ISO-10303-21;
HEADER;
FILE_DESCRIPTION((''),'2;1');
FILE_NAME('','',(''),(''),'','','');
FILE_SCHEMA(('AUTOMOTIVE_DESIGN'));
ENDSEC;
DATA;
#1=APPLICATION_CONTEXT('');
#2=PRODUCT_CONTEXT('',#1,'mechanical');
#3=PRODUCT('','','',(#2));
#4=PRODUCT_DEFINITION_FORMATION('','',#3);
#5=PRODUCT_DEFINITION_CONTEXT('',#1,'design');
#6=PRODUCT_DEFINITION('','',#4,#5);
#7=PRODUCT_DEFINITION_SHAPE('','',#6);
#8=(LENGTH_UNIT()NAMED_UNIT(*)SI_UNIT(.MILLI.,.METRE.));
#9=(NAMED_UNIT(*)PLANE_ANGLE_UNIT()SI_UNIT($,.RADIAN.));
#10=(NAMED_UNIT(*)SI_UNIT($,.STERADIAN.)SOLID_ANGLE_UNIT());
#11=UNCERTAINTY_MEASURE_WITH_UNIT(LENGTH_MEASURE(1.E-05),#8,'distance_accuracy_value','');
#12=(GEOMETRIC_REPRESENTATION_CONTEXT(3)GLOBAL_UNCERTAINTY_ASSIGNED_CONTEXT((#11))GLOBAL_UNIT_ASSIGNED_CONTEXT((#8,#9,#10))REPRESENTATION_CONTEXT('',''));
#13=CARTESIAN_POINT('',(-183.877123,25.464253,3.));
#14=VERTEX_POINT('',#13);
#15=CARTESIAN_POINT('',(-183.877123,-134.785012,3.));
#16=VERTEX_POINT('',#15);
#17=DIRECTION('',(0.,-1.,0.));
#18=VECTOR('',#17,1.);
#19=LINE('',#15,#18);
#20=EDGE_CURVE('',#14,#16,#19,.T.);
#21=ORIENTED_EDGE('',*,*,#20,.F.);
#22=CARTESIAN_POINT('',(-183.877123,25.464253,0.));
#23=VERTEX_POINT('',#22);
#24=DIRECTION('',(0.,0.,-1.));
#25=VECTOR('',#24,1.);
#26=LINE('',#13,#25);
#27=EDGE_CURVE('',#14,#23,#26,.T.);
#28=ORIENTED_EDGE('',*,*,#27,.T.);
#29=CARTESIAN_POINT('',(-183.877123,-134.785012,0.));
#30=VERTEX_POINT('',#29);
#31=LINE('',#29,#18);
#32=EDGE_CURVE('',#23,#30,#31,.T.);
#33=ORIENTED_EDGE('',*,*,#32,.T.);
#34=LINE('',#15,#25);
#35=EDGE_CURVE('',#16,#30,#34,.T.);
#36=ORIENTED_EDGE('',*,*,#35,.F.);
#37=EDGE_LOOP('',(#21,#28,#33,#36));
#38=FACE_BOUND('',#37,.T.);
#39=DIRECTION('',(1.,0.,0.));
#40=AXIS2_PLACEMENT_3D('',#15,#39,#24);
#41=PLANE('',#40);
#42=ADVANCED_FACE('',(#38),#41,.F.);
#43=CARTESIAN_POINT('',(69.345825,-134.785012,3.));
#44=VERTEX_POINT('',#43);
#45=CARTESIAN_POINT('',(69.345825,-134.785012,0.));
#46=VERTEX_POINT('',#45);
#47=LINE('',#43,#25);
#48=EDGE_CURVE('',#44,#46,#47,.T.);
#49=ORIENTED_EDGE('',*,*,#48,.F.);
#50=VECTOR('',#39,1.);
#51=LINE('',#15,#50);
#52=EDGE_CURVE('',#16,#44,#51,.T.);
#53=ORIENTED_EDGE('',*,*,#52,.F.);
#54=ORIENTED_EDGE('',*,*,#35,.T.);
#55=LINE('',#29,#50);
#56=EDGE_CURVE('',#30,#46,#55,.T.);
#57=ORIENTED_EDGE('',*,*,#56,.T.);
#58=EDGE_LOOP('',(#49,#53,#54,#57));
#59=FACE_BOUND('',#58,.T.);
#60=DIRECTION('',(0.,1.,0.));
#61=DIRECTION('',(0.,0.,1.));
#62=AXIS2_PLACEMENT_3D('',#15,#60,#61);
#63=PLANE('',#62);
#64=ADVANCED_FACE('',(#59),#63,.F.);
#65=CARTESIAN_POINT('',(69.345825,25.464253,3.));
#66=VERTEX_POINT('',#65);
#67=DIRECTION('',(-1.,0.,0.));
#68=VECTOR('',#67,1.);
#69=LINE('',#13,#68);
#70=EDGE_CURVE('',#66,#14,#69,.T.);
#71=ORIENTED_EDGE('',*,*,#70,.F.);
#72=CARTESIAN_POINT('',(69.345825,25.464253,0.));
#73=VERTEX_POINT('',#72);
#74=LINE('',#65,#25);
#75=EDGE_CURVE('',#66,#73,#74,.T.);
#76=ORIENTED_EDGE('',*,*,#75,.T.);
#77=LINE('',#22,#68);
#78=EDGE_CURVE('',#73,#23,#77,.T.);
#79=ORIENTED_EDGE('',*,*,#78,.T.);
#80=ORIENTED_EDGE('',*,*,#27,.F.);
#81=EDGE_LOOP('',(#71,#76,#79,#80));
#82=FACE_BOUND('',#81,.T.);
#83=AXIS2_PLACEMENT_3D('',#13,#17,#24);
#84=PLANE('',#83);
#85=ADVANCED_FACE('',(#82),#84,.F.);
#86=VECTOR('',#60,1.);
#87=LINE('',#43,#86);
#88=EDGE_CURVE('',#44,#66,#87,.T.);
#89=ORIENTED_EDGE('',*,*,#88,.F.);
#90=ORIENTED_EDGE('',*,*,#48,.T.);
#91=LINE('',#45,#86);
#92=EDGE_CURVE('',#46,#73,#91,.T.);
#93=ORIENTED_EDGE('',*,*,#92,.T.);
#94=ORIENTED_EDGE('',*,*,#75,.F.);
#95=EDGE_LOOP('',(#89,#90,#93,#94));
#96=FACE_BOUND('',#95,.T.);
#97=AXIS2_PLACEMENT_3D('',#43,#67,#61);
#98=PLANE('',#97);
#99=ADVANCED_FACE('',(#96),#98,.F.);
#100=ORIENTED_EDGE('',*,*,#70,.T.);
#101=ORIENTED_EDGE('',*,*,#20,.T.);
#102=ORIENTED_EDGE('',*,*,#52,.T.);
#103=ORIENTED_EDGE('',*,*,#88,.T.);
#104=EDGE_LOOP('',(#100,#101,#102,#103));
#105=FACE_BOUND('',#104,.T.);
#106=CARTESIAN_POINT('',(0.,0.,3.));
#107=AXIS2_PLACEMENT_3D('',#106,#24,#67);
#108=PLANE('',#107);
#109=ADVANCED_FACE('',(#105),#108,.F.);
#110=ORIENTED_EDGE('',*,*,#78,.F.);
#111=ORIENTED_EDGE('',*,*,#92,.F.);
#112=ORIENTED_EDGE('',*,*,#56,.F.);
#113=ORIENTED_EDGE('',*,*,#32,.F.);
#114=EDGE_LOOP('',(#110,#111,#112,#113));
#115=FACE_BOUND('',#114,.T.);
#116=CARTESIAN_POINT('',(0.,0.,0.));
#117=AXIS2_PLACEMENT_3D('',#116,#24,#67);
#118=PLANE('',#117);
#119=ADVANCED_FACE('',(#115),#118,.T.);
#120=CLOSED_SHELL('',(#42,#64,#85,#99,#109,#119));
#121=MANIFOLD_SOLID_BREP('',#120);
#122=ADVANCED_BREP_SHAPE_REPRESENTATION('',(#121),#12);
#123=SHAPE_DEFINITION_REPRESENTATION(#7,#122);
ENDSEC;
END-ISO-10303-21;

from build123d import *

# Parameters (mm, degrees)
CROQUIS1_W              = 253.222947295
CROQUIS1_H              = 160.249264991
SALIENTE_EXTRUIR1_DEPTH = 3


with BuildPart() as part:
    # Croquis1 → Saliente-Extruir1 (new body)
    with BuildSketch(Plane.XY):
        with Locations((-57.265648966, -54.660379097)):
            Rectangle(CROQUIS1_W, CROQUIS1_H)
    extrude(amount=SALIENTE_EXTRUIR1_DEPTH)


solid = part.part
